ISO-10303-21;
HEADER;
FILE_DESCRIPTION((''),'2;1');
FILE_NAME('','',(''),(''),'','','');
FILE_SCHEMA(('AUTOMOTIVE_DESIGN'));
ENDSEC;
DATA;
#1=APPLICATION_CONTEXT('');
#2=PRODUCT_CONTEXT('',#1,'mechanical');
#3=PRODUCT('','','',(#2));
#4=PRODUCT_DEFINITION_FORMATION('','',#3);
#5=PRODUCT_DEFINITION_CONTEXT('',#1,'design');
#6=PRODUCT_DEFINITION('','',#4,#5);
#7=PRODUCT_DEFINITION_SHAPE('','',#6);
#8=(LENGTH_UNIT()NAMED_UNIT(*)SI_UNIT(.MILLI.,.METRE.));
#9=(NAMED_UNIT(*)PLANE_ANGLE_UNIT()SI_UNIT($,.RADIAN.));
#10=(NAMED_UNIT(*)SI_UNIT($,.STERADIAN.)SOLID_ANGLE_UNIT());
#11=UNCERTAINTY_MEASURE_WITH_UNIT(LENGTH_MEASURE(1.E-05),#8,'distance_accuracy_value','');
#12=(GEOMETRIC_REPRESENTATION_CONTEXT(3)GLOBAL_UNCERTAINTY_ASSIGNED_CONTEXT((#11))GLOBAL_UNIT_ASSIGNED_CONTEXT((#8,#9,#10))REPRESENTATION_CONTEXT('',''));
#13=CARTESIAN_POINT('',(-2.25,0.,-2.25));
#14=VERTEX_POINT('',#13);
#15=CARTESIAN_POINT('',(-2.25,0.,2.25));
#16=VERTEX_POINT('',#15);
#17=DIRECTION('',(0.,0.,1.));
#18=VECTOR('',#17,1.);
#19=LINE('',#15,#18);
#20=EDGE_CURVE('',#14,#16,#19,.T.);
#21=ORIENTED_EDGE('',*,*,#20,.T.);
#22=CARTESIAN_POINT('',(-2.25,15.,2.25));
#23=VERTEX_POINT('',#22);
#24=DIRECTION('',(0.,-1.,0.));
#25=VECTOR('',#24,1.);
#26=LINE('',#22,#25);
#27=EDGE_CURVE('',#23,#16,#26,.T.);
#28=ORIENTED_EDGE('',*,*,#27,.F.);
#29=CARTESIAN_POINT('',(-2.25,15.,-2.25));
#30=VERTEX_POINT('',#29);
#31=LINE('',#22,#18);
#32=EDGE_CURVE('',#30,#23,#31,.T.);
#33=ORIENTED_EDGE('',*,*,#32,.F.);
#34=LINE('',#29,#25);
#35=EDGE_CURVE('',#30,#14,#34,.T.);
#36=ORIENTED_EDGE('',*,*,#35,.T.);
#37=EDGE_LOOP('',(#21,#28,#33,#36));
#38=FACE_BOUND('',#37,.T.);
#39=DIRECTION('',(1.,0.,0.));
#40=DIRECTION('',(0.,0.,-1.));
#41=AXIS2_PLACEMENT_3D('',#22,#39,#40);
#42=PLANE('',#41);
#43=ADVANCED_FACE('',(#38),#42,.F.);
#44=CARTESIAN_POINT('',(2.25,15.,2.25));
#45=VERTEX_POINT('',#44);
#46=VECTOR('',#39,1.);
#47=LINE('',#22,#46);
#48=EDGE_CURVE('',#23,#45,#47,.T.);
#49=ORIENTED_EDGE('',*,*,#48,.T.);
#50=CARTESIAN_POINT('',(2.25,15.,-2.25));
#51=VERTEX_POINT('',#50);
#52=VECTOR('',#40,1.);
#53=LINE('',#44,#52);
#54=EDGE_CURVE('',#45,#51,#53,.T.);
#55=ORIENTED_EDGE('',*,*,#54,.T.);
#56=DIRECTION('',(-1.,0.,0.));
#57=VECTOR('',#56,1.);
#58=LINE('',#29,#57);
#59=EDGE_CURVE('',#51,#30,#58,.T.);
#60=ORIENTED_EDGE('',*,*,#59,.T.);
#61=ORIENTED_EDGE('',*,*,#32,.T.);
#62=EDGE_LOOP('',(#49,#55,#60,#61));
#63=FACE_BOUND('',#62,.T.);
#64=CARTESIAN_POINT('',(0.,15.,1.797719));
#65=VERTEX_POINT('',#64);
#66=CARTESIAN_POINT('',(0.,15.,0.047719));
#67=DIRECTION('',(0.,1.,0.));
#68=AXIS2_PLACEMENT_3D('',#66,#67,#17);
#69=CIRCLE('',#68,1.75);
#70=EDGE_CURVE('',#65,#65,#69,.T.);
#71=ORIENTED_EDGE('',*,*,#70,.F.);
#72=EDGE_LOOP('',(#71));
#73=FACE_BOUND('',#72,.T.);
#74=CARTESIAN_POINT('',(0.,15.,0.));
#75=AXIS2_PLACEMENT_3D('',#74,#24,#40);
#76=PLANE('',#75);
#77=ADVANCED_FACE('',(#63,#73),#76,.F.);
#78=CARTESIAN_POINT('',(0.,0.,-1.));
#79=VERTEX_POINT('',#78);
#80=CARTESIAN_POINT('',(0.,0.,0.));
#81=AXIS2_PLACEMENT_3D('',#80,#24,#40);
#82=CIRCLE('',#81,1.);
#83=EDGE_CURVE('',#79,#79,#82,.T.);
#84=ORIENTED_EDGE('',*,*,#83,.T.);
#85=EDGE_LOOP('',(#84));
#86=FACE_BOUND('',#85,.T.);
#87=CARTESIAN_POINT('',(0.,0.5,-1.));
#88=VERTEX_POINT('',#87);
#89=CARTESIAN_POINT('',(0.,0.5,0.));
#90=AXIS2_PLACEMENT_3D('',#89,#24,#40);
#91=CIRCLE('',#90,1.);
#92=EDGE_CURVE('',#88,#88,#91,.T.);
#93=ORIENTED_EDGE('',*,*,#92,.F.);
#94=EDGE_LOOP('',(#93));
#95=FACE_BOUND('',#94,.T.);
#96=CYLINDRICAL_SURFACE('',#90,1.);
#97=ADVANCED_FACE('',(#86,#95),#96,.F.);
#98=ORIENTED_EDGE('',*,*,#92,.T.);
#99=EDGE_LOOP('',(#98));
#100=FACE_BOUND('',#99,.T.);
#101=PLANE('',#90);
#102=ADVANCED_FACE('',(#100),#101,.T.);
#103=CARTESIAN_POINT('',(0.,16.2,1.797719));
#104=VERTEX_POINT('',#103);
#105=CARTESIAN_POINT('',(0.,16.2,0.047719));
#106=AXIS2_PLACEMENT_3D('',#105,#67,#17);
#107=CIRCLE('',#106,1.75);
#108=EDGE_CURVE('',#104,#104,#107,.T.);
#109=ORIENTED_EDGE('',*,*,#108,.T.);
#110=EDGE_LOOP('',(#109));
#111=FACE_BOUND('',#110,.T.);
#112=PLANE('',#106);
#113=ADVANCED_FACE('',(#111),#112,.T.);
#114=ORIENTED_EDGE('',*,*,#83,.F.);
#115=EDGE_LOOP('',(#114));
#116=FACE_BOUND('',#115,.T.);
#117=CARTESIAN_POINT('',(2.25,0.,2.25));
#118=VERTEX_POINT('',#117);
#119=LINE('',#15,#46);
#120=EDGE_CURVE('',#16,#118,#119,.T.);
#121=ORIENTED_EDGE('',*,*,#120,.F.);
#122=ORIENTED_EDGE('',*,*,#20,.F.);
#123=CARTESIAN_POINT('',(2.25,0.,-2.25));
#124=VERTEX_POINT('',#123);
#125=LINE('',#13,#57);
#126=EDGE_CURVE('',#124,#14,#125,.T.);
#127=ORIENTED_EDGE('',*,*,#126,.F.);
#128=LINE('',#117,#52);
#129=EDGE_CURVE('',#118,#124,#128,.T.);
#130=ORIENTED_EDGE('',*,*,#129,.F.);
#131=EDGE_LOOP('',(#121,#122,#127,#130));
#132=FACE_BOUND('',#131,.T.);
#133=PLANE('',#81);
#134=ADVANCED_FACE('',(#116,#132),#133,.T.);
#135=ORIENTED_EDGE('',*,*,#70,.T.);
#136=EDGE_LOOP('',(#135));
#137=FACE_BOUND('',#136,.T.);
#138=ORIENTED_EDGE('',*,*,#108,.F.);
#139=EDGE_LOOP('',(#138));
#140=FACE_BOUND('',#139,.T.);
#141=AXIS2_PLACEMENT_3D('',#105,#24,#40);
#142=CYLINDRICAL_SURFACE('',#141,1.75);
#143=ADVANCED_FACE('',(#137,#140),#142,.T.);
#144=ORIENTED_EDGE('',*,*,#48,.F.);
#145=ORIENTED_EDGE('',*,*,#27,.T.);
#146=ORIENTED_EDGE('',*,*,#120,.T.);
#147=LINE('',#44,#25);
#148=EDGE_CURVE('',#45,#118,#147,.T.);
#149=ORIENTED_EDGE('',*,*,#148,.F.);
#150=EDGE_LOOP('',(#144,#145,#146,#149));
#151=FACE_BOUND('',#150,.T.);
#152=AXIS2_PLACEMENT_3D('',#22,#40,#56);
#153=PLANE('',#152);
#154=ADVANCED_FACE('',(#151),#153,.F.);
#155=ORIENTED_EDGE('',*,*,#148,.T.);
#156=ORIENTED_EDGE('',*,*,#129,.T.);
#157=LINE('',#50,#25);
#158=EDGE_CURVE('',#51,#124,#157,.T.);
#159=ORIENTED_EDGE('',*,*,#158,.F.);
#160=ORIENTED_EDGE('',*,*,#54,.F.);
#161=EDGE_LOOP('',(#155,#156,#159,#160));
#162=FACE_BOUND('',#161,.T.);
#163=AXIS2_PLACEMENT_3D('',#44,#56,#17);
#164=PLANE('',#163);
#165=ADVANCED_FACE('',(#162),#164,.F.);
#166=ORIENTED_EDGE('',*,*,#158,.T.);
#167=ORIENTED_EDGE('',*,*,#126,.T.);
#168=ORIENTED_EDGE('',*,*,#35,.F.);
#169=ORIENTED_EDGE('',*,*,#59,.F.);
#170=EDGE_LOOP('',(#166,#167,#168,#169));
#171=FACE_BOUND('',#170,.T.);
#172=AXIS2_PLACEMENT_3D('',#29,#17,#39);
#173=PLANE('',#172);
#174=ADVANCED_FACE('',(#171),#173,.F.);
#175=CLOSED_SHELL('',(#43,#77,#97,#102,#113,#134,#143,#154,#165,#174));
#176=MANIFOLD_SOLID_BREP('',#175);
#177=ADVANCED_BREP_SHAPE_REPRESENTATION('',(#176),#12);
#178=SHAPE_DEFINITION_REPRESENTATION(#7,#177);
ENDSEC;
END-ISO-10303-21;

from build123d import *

# Parameters (mm, degrees)
SKETCH1_W           = 4.5
SKETCH1_H           = 4.5
BOSS_EXTRUDE1_DEPTH = 15
SKETCH2_R           = 1
CUT_EXTRUDE1_DEPTH  = 0.5
SKETCH4_R           = 1.75
BOSS_EXTRUDE2_DEPTH = 1.2


with BuildPart() as part:
    # Sketch1 → Boss-Extrude1 (new body)
    with BuildSketch(Plane(origin=(0, 0, 0), x_dir=(1, 0, 0), z_dir=(0, 1, 0))):
        Rectangle(SKETCH1_W, SKETCH1_H)
    extrude(amount=BOSS_EXTRUDE1_DEPTH)

    # Sketch2 → Cut-Extrude1 (cut)
    with BuildSketch(Plane.XZ):
        with Locations(Location((0, 0, 0), (0, 0, 270))):
            Circle(SKETCH2_R)
    extrude(amount=-CUT_EXTRUDE1_DEPTH, mode=Mode.SUBTRACT)

    # Sketch4 → Boss-Extrude2 (add)
    with BuildSketch(Plane(origin=(0, 15, 0), x_dir=(1, 0, 0), z_dir=(0, 1, 0))):
        with Locations(Location((0, -0.04771887, 0), (0, 0, 270))):
            Circle(SKETCH4_R)
    extrude(amount=BOSS_EXTRUDE2_DEPTH)


solid = part.part
